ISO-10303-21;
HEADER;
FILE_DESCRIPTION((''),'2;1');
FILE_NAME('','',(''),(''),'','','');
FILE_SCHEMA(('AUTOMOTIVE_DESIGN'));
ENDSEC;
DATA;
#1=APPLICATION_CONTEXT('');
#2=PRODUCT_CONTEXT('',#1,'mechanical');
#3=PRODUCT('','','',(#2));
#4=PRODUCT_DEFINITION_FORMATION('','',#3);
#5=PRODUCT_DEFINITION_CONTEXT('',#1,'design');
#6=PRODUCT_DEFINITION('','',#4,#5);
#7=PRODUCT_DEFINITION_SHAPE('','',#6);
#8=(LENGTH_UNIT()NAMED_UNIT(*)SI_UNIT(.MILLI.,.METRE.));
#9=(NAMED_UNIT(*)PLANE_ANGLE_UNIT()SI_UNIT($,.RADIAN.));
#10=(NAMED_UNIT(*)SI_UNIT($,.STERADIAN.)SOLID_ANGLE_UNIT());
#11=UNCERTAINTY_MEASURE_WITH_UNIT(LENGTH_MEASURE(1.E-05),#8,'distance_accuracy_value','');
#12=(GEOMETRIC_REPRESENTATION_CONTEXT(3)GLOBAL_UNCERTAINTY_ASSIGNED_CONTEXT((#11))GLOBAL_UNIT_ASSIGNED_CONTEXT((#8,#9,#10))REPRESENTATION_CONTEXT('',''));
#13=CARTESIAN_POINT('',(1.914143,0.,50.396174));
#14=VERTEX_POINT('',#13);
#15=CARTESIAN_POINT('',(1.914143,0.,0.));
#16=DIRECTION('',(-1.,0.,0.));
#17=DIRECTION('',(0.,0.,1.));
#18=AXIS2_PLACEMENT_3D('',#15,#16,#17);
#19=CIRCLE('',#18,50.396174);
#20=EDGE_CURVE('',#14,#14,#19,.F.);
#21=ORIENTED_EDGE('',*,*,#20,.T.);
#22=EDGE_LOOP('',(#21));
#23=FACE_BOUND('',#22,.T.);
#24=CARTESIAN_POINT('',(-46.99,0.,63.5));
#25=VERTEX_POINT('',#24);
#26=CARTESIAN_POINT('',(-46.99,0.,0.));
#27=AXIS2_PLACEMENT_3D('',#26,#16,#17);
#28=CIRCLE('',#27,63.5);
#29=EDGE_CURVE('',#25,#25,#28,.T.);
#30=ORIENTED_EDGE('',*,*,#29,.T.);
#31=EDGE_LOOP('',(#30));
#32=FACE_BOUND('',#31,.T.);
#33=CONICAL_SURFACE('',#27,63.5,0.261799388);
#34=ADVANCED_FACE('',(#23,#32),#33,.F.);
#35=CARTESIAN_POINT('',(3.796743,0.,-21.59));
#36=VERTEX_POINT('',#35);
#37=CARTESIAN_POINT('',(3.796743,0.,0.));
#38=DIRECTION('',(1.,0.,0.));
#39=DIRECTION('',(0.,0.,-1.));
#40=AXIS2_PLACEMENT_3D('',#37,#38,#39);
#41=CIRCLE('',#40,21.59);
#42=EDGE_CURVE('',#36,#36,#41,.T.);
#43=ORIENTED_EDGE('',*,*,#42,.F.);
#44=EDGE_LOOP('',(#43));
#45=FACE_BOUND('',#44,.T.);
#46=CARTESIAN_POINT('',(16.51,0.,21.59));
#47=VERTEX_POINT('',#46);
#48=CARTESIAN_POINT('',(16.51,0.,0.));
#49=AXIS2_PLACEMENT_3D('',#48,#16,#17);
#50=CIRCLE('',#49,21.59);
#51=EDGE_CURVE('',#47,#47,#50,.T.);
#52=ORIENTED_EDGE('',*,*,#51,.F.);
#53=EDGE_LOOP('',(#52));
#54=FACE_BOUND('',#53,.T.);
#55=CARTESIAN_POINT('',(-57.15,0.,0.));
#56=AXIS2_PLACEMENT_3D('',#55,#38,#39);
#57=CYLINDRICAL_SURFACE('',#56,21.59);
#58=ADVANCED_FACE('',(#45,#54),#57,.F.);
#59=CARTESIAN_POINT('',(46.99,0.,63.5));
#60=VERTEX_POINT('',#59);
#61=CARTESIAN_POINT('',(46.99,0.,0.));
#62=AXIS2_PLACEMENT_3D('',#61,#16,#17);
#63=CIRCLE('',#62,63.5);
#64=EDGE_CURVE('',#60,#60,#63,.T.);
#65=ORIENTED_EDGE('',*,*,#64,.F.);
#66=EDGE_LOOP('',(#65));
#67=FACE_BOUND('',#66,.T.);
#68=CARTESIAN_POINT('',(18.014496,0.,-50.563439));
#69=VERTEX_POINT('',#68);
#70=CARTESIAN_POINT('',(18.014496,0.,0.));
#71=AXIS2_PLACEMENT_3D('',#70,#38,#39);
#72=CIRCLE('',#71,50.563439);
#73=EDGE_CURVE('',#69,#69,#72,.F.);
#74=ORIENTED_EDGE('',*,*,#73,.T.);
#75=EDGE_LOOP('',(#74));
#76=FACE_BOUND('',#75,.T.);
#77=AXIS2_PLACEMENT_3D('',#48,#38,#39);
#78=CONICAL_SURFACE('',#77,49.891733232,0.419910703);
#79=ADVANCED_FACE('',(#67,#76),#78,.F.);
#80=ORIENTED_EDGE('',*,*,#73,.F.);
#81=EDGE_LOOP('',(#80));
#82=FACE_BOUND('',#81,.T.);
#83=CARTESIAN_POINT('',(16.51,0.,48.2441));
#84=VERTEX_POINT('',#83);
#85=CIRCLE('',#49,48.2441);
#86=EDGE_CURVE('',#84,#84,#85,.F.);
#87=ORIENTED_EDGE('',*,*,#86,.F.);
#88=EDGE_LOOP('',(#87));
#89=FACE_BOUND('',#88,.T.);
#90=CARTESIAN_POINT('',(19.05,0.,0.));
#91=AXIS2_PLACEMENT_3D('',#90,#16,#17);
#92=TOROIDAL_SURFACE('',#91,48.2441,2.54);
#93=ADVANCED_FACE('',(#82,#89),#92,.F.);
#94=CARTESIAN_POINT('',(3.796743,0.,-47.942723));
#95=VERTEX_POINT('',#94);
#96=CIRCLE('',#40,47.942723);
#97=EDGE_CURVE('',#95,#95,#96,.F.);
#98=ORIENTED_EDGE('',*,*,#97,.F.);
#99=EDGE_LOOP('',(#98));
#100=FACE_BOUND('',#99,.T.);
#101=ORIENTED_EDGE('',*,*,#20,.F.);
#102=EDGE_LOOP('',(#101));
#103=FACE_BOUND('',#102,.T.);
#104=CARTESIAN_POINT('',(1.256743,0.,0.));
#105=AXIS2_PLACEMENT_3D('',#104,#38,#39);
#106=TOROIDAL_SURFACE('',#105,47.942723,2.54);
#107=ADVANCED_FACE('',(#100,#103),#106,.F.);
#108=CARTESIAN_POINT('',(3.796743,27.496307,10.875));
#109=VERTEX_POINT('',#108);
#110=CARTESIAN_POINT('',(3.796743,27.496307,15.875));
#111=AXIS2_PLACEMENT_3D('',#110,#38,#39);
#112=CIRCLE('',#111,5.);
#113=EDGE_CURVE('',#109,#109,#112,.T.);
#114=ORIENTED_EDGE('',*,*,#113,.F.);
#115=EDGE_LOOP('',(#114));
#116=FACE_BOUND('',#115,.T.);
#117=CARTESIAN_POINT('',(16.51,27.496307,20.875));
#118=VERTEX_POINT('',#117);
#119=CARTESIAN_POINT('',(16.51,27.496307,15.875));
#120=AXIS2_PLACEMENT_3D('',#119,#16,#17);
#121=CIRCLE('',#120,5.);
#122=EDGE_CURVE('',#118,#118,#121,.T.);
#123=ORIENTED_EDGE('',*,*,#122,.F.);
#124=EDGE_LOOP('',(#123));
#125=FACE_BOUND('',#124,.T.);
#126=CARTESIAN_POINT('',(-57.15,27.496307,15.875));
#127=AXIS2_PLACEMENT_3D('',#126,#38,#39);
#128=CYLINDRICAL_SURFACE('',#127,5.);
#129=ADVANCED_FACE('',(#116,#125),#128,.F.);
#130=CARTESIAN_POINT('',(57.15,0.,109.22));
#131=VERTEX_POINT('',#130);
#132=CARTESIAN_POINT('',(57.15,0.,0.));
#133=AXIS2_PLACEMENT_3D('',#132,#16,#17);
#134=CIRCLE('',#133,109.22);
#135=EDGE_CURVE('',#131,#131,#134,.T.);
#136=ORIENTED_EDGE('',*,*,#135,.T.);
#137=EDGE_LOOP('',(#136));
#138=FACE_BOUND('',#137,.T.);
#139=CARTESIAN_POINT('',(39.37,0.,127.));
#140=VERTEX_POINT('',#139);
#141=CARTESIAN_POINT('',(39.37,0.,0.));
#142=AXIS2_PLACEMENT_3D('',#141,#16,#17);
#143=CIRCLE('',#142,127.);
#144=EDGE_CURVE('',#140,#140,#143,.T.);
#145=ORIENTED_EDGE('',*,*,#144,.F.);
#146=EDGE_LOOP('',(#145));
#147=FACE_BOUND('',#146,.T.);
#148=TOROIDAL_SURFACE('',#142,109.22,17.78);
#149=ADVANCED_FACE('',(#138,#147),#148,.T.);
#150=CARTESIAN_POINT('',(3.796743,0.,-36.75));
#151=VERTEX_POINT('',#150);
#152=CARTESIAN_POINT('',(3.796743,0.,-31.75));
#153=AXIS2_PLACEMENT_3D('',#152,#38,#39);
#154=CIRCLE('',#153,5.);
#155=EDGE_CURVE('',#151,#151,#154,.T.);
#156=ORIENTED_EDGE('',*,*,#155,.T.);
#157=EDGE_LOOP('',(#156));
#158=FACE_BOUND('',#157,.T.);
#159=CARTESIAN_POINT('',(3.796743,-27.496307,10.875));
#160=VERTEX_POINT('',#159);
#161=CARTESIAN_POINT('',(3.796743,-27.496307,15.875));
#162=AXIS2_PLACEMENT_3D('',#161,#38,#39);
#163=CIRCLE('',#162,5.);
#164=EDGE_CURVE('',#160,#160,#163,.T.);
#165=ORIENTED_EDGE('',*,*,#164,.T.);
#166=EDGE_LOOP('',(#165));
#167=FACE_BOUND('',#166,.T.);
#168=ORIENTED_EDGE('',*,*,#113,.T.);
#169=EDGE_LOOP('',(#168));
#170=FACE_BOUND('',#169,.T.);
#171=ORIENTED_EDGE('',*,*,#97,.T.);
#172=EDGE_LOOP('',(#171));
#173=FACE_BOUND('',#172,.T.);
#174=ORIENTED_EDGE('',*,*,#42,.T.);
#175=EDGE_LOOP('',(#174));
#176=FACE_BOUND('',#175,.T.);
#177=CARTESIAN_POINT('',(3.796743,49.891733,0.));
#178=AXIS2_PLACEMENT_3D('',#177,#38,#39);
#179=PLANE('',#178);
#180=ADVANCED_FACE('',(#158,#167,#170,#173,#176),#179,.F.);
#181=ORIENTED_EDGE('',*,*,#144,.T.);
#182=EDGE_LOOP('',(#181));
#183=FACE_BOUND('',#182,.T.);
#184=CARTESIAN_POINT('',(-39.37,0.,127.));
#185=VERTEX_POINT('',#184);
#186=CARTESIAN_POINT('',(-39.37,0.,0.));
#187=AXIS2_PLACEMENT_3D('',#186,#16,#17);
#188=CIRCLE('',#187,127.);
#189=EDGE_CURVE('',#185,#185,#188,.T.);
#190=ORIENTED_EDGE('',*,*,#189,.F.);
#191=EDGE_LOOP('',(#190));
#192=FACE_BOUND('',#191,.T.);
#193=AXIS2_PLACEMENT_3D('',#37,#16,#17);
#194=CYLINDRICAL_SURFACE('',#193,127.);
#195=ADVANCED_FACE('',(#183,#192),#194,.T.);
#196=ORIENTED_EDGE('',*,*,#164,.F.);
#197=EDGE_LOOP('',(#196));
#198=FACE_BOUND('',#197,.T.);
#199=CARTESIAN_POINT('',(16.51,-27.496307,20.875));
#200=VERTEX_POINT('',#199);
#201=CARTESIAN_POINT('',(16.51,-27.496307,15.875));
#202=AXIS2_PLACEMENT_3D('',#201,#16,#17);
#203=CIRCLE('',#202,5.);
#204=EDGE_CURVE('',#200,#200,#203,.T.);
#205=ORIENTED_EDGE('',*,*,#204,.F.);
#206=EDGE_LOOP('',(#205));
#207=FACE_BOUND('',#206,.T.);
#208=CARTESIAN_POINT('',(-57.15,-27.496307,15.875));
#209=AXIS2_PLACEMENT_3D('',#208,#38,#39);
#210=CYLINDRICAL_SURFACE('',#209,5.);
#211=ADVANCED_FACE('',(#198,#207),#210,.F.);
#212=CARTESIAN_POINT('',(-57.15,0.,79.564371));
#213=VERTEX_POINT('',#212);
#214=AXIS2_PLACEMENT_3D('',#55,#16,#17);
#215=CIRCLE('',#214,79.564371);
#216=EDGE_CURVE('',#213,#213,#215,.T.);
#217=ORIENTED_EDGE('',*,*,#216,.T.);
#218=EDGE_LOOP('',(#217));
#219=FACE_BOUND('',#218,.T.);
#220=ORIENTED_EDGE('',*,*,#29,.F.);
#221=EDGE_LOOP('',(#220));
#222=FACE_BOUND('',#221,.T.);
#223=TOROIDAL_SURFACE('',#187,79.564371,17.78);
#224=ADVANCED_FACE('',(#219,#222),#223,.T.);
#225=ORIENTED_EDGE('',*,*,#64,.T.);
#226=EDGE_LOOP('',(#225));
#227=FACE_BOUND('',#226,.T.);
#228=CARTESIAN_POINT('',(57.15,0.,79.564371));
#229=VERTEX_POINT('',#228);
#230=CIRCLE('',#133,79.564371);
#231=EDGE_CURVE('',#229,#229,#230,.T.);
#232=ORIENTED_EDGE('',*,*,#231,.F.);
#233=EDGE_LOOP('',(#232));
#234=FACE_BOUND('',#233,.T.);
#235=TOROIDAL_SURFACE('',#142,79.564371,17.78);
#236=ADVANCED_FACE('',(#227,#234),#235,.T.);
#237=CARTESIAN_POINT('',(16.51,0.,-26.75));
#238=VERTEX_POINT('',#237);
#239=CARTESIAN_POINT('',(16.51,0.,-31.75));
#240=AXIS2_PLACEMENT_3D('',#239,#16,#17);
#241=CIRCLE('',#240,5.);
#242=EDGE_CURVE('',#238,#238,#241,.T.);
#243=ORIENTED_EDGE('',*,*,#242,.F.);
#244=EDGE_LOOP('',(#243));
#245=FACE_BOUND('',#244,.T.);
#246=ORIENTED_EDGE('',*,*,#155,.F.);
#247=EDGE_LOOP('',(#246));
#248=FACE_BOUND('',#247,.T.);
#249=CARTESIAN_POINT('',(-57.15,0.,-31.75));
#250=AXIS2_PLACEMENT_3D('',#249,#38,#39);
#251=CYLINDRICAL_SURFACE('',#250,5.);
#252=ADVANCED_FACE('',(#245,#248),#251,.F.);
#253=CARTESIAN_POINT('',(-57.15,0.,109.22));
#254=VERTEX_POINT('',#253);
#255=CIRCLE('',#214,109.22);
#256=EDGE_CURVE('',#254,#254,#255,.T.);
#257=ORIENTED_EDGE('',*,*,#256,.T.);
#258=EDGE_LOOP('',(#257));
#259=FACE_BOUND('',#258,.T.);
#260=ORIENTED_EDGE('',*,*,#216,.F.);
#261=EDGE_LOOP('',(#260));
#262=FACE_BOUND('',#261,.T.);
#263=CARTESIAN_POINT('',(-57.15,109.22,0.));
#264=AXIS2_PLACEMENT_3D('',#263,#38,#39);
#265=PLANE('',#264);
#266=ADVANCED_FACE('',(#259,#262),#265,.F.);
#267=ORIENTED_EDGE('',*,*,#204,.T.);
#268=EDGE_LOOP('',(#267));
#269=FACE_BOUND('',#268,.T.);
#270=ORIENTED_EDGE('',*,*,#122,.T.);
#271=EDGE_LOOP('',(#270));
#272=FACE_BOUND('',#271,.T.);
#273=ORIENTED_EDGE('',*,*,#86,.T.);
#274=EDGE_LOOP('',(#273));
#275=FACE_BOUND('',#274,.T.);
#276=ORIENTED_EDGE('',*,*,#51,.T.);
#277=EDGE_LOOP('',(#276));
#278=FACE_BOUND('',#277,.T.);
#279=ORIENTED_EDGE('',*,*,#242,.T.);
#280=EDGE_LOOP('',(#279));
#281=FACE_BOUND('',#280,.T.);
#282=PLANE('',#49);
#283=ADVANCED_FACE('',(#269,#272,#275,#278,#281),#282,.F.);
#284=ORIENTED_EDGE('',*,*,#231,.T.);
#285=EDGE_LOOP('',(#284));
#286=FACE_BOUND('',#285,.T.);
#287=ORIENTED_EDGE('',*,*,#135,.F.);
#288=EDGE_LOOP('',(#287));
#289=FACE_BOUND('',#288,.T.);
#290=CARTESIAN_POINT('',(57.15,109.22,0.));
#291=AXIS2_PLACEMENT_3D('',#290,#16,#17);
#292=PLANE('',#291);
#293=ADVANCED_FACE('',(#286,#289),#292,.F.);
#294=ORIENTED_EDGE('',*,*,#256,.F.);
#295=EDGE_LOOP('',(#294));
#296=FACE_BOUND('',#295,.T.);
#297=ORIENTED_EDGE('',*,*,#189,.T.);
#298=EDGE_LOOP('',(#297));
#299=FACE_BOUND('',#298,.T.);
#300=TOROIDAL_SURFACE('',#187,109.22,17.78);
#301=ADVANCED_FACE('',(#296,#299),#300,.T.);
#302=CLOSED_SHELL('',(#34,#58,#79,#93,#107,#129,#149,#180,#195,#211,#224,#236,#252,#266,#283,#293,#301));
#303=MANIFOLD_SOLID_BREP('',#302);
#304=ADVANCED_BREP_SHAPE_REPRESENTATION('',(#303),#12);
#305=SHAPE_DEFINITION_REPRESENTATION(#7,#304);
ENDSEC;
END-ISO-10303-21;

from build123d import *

# Parameters (mm, degrees)
CUT_EXTRUDE2_DEPTH      = 189.478440412
CUT_EXTRUDE2_DEPTH_BACK = 189.478440412
SKETCH3_R               = 21.59
CUT_EXTRUDE3_DEPTH      = 189.478440412
CUT_EXTRUDE3_DEPTH_BACK = 189.478440412
SKETCH4_R               = 5
FILLET1_R               = 2.54


with BuildPart() as part:
    # Sketch1 → Revolve2 (revolve)
    with BuildSketch(Plane.XY, mode=Mode.PRIVATE) as revolve2_sk:
        with BuildLine():
            Line((-39.37, 127), (39.37, 127))
            ThreePointArc((39.37, 127), (51.942358569, 121.792358569), (57.15, 109.22))
            Line((57.15, 109.22), (57.15, 79.564370514))
            ThreePointArc((57.15, 79.564370514), (54.396842649, 70.060560751), (46.99, 63.5))
            Line((46.99, 63.5), (16.51, 49.891733232))
            Line((16.51, 49.891733232), (16.51, 0))
            Line((16.51, 0), (3.796742982, 0))
            Line((3.796742982, 0), (3.796742982, 49.891733232))
            Line((3.796742982, 49.891733232), (-46.99, 63.5))
            ThreePointArc((-46.99, 63.5), (-54.396842649, 70.060560751), (-57.15, 79.564370514))
            Line((-57.15, 79.564370514), (-57.15, 109.22))
            ThreePointArc((-57.15, 109.22), (-51.942358569, 121.792358569), (-39.37, 127))
        make_face()
    revolve(revolve2_sk.sketch.rotate(Axis((3.796742982, 0, 0), (1, 0, 0)), 90), axis=Axis((3.796742982, 0, 0), (1, 0, 0)))

    # Sketch3 → Cut-Extrude2 (cut, two sides: drawn at the far end of the back side and taken through both)
    with BuildSketch(Plane(origin=(0, 0, 0), x_dir=(0, 0, -1), z_dir=(1, 0, 0)).offset(-CUT_EXTRUDE2_DEPTH_BACK)):
        Circle(SKETCH3_R)
    extrude(amount=CUT_EXTRUDE2_DEPTH + CUT_EXTRUDE2_DEPTH_BACK, mode=Mode.SUBTRACT)

    # Sketch4 → Cut-Extrude3 (cut, two sides: drawn at the far end of the back side and taken through both)
    with BuildSketch(Plane(origin=(0, 0, 0), x_dir=(0, 0, -1), z_dir=(1, 0, 0)).offset(-CUT_EXTRUDE3_DEPTH_BACK)):
        with Locations((31.75, 0)):
            Circle(SKETCH4_R)
        with Locations((-15.875, -27.49630657)):
            Circle(SKETCH4_R)
        with Locations((-15.875, 27.49630657)):
            Circle(SKETCH4_R)
    extrude(amount=CUT_EXTRUDE3_DEPTH + CUT_EXTRUDE3_DEPTH_BACK, mode=Mode.SUBTRACT)

    # Fillet1
    fillet1_edges = [part.edges().sort_by_distance(p)[0] for p in [
        (16.51, 0, -49.891733232),
        (3.796742982, 0, -49.891733232),
    ]]
    fillet(fillet1_edges, radius=FILLET1_R)


solid = part.part
